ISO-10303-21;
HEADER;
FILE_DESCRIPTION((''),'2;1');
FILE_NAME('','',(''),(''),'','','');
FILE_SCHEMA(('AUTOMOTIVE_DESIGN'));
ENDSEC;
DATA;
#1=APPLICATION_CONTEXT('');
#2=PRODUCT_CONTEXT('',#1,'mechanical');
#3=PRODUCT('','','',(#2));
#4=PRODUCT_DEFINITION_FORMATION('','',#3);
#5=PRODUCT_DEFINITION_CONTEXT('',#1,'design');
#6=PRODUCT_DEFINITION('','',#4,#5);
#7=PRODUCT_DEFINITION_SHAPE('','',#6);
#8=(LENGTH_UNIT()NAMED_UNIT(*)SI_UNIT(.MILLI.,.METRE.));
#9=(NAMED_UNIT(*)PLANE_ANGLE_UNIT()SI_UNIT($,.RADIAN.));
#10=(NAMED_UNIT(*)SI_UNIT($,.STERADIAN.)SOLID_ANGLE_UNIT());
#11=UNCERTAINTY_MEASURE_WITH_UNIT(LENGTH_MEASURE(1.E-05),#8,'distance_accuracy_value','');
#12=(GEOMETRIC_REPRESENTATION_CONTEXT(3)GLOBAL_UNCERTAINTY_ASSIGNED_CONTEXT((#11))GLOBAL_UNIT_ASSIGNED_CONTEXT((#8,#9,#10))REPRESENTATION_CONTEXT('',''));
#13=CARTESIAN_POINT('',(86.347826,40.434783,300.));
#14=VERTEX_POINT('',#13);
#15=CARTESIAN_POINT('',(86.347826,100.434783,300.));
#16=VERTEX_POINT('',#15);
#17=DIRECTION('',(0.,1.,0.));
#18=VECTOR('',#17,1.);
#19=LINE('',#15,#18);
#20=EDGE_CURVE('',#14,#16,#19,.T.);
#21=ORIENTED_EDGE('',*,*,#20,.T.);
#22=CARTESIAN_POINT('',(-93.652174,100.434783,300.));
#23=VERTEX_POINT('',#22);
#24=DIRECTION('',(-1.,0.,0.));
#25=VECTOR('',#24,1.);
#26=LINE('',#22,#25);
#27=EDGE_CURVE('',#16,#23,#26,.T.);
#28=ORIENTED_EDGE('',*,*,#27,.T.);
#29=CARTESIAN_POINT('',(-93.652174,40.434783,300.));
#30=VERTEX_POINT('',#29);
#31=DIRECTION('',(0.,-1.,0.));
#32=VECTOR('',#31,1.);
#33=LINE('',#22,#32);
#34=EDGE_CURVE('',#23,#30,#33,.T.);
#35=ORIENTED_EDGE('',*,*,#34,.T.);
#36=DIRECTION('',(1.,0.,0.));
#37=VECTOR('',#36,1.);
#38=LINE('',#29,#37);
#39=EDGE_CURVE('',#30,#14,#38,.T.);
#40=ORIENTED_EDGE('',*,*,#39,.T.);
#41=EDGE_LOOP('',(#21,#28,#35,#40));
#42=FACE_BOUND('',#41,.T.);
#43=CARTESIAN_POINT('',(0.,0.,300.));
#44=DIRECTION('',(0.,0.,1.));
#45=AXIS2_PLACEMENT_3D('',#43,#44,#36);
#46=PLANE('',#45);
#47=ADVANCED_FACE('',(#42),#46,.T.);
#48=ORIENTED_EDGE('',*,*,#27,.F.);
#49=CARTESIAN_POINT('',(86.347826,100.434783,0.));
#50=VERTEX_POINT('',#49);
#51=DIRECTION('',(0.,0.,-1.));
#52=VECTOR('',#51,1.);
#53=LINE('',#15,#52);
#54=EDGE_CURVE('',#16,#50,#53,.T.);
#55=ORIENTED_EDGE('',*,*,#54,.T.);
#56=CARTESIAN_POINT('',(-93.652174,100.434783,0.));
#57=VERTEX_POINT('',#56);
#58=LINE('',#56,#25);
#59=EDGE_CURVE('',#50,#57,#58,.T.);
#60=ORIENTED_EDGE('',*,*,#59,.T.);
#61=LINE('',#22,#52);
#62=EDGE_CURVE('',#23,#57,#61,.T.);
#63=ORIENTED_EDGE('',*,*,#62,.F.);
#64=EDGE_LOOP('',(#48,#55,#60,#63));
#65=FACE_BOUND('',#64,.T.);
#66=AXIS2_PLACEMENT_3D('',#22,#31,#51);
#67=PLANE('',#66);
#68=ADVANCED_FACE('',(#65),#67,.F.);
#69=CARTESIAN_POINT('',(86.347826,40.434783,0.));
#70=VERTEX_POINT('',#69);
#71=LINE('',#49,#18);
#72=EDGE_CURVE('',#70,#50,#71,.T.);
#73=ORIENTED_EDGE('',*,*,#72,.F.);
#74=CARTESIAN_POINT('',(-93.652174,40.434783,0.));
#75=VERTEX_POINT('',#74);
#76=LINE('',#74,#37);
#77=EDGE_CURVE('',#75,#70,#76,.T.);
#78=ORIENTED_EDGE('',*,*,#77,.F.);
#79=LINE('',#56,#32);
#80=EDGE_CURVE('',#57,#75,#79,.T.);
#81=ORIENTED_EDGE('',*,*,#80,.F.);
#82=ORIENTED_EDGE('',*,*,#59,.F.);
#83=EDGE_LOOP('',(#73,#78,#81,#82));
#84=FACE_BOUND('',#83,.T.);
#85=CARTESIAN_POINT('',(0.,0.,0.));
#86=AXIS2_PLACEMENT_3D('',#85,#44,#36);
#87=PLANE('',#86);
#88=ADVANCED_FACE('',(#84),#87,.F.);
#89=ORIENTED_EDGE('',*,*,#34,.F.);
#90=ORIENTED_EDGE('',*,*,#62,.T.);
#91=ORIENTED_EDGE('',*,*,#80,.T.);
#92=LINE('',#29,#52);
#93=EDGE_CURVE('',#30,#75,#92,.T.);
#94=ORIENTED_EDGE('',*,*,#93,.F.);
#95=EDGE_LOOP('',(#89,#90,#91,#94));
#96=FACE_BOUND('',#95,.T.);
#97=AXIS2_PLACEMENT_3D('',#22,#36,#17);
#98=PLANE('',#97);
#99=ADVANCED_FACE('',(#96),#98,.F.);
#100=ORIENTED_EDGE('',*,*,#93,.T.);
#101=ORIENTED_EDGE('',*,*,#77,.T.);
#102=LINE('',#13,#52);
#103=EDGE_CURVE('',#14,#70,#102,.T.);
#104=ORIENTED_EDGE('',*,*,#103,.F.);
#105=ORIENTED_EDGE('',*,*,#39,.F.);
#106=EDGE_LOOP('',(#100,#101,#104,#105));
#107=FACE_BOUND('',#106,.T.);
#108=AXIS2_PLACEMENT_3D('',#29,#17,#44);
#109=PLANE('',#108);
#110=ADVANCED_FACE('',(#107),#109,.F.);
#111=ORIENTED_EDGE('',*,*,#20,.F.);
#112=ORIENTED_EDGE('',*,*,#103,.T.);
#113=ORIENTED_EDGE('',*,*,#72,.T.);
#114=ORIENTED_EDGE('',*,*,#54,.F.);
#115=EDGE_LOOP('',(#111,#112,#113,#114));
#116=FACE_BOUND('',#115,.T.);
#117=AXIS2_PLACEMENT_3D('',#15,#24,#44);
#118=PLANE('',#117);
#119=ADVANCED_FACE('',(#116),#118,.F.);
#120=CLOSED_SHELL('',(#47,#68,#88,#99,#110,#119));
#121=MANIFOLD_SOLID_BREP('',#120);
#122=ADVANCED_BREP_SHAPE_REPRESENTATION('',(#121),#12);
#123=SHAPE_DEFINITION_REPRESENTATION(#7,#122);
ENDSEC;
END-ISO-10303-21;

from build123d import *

# Parameters (mm, degrees)
SKETCH_1_W      = 180
SKETCH_1_H      = 60
EXTRUDE_1_DEPTH = 300


with BuildPart() as part:
    # 草图1 → 凸台-拉伸1 (new body)
    with BuildSketch(Plane.XY):
        with Locations((-3.652173913, 70.434782609)):
            Rectangle(SKETCH_1_W, SKETCH_1_H)
    extrude(amount=EXTRUDE_1_DEPTH)


solid = part.part
